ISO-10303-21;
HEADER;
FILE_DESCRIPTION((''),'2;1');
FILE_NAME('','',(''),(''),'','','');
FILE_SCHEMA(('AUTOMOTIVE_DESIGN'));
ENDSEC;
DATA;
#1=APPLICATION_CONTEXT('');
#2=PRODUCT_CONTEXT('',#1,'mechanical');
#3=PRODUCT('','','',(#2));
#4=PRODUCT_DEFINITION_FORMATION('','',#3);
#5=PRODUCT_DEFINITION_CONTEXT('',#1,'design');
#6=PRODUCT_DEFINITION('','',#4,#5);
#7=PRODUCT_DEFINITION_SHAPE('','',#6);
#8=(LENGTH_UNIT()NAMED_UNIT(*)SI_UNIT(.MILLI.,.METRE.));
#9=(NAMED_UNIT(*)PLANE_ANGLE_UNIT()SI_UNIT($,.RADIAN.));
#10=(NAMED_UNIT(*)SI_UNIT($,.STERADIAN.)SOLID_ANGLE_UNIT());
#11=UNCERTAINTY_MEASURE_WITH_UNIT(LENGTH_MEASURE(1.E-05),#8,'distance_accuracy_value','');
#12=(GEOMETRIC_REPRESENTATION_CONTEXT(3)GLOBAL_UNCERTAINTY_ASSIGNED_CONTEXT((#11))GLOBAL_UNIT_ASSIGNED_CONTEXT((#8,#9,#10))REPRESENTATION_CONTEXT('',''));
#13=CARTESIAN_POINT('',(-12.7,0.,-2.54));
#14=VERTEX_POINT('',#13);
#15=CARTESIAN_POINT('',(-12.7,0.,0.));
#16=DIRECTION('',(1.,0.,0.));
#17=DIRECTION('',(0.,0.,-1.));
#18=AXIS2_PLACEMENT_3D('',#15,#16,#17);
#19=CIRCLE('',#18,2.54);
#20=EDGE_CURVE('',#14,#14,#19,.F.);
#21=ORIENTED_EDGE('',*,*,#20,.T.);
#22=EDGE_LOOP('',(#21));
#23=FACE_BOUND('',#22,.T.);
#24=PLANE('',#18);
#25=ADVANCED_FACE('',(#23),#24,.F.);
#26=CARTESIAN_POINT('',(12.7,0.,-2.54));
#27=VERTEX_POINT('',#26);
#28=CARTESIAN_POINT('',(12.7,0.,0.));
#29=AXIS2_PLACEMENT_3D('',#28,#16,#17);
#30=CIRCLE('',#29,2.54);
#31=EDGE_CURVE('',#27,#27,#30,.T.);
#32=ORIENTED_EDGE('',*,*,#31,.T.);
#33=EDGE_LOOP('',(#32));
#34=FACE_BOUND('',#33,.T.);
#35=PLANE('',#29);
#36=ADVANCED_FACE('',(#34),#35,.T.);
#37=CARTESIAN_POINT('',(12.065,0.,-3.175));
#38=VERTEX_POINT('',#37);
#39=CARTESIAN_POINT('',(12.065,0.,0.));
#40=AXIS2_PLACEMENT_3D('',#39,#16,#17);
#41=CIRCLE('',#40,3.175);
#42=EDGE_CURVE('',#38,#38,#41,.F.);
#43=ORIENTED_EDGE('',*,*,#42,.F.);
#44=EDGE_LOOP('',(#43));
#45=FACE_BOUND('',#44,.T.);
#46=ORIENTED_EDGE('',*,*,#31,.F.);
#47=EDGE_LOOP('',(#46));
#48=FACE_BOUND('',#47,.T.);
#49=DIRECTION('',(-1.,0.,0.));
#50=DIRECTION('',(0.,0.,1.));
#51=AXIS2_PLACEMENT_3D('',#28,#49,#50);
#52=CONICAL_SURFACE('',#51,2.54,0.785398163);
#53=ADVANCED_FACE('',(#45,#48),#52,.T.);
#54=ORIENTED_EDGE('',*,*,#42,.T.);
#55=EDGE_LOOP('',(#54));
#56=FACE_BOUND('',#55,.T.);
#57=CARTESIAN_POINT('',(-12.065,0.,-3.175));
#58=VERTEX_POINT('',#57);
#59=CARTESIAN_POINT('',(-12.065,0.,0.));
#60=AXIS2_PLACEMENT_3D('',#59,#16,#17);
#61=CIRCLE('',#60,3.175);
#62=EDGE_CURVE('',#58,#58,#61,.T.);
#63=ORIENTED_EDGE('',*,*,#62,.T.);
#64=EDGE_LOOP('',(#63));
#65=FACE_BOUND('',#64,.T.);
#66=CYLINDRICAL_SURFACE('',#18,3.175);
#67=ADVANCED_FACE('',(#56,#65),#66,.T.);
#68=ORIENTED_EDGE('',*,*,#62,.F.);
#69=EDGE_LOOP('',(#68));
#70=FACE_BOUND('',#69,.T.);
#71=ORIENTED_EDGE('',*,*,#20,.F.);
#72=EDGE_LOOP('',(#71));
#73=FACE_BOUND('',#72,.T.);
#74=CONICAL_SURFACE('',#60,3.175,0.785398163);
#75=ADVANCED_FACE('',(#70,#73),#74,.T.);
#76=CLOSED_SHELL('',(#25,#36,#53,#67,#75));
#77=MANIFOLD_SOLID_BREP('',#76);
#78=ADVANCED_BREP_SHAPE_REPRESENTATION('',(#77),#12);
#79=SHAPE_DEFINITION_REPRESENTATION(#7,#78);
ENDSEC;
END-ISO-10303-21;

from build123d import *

# Parameters (mm, degrees)
SKETCH2_R           = 3.175
EXTRUDE1_DEPTH      = 12.7
EXTRUDE1_DEPTH_BACK = 12.7
CHAMFER1_SIZE       = 0.635


with BuildPart() as part:
    # Sketch2 → Extrude1 (new body, two sides)
    with BuildSketch(Plane(origin=(0, 0, 0), x_dir=(0, 0, -1), z_dir=(1, 0, 0))) as extrude1_sk:
        Circle(SKETCH2_R)
    extrude(amount=EXTRUDE1_DEPTH)
    extrude(extrude1_sk.sketch, amount=-EXTRUDE1_DEPTH_BACK)

    # Chamfer1
    chamfer1_edges = [part.edges().sort_by_distance(p)[0] for p in [
        (-12.7, 0, 3.175),
        (12.7, 0, 3.175),
    ]]
    chamfer(chamfer1_edges, length=CHAMFER1_SIZE)


solid = part.part
